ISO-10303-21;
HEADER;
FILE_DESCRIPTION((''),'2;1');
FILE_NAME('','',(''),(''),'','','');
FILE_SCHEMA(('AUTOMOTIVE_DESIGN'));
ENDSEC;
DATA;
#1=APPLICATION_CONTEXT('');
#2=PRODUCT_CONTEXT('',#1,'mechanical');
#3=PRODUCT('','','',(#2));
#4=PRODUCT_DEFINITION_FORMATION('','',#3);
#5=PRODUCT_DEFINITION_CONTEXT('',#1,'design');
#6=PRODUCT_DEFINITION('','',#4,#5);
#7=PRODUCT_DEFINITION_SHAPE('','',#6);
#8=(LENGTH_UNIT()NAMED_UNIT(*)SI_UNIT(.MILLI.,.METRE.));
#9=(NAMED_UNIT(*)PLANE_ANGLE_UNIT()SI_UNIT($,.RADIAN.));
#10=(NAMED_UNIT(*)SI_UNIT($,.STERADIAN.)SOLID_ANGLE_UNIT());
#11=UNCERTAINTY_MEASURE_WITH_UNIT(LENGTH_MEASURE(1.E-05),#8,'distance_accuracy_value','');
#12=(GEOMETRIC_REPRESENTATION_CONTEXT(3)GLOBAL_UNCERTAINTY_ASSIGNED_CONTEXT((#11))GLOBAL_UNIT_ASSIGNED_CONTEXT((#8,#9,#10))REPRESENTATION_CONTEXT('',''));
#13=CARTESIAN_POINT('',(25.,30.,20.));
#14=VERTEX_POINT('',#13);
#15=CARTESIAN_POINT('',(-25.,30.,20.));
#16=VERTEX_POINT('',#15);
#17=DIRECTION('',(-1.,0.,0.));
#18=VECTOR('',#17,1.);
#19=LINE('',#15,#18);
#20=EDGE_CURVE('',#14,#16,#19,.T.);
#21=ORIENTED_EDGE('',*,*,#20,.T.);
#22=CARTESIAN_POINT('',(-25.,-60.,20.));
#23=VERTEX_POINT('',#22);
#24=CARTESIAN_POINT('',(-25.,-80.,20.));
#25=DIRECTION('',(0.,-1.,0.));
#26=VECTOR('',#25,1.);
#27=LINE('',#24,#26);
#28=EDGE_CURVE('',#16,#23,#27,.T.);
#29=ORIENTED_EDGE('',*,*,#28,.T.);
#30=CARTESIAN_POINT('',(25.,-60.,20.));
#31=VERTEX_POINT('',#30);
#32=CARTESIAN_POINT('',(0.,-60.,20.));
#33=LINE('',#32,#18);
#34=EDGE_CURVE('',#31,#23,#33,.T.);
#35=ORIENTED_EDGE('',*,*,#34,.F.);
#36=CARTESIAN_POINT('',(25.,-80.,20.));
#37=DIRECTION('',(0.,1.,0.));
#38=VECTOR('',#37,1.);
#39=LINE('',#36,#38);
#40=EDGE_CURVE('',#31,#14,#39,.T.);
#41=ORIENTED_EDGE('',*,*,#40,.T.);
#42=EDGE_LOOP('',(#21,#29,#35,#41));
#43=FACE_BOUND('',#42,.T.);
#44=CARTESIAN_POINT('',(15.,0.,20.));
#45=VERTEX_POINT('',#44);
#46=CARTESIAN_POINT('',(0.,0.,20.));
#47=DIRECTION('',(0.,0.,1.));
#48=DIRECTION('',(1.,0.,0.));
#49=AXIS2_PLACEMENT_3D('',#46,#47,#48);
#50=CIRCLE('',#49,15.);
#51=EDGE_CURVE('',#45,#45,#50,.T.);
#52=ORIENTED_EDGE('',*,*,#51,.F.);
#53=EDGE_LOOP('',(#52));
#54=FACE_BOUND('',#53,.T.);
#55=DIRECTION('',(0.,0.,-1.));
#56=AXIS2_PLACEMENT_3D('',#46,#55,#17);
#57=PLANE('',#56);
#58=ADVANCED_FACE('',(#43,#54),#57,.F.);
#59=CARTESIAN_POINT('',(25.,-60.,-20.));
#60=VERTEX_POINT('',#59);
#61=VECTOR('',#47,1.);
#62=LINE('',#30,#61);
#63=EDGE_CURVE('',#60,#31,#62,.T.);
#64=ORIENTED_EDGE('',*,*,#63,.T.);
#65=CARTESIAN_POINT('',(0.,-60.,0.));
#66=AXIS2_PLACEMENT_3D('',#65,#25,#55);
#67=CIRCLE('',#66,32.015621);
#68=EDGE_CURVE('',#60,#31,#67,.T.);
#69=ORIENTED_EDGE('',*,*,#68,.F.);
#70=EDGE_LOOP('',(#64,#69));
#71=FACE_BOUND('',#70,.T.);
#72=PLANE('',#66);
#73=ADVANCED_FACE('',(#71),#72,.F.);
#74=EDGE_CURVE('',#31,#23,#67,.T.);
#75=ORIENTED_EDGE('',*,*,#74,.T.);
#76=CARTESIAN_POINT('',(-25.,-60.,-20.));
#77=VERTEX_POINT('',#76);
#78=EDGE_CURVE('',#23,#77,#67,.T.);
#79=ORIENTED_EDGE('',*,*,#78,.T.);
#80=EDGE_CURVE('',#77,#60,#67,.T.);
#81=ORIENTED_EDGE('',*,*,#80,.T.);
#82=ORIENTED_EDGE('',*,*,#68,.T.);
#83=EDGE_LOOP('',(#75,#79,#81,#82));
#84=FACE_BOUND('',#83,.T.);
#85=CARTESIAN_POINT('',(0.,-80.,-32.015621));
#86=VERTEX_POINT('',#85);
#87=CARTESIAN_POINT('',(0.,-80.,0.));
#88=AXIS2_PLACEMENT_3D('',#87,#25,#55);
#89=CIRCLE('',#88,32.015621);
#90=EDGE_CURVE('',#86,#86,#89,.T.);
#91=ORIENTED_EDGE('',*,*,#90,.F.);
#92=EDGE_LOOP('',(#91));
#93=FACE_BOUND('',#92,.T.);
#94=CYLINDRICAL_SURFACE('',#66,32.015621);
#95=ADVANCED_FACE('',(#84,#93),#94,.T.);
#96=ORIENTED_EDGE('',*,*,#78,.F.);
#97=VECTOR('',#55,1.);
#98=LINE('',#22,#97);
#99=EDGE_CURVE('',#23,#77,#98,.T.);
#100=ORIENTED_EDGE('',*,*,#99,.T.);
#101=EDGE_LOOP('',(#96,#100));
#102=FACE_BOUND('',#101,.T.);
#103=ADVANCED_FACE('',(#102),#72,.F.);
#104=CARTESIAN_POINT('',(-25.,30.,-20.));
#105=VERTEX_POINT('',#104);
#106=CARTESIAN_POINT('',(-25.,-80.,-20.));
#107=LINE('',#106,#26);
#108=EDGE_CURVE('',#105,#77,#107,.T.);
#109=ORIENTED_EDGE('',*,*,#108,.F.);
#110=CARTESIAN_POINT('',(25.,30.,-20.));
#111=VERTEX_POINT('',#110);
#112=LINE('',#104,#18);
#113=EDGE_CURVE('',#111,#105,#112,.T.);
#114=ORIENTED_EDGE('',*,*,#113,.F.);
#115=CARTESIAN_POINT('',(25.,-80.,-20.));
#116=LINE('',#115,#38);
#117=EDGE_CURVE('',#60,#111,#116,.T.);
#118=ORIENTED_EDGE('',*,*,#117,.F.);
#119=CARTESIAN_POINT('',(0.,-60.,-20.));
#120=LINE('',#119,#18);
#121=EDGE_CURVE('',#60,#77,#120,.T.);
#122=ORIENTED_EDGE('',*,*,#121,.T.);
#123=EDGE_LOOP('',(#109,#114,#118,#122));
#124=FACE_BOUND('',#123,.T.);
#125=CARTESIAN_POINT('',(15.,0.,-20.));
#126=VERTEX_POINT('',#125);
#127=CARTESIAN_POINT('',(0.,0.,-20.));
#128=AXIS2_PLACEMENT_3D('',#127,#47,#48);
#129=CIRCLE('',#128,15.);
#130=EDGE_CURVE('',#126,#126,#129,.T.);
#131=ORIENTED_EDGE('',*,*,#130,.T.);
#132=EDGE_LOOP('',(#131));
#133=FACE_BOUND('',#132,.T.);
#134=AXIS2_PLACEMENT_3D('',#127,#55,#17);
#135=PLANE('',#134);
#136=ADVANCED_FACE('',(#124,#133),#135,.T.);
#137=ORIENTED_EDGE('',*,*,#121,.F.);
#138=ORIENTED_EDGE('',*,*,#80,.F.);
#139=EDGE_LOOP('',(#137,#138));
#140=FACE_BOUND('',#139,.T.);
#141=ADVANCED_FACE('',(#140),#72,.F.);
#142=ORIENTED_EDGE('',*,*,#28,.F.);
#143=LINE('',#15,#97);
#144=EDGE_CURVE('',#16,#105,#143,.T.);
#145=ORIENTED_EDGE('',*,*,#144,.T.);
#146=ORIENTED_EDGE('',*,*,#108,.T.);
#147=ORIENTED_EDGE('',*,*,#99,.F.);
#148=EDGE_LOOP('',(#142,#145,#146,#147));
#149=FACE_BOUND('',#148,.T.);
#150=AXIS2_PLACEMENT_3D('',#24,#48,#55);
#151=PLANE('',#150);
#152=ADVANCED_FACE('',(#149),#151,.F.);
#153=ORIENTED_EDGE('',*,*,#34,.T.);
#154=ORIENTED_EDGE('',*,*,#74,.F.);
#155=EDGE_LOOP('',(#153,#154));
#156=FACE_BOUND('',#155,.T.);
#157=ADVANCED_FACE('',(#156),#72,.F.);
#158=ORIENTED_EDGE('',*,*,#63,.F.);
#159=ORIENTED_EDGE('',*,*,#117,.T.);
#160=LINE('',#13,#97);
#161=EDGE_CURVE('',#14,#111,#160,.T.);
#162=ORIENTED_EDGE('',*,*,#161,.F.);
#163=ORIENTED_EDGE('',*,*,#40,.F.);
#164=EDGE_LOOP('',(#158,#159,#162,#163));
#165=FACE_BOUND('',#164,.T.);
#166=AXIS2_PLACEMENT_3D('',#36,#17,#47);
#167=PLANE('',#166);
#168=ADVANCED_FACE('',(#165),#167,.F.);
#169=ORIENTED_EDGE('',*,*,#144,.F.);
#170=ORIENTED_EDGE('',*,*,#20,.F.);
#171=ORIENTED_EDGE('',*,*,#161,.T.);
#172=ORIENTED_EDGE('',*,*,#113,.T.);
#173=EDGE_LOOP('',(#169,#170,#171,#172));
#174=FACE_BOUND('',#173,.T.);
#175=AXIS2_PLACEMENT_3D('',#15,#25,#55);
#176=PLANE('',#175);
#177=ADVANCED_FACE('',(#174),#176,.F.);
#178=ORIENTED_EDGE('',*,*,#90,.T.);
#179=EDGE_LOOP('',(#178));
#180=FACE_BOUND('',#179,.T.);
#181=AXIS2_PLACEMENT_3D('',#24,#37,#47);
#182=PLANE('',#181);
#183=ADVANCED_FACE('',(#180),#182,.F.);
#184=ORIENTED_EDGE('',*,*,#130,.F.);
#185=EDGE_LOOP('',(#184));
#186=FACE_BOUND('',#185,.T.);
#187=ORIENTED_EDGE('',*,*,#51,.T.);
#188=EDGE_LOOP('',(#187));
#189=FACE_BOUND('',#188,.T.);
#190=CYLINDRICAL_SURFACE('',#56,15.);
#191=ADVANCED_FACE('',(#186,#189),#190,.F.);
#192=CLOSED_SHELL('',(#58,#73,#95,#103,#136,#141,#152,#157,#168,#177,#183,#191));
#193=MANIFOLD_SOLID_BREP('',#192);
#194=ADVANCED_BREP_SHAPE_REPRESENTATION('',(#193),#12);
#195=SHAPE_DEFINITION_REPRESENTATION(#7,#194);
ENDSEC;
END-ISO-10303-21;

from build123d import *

# Parameters (mm, degrees)
SKETCH2_W           = 50
SKETCH2_H           = 110
SKETCH2_R           = 15
BOSS_EXTRUDE1_DEPTH = 20
SKETCH3_R           = 32.015621187
BOSS_EXTRUDE2_DEPTH = 20


with BuildPart() as part:
    # Sketch2 → Boss-Extrude1 (new, symmetric)
    with BuildSketch(Plane.XY):
        with Locations((0, -25)):
            Rectangle(SKETCH2_W, SKETCH2_H)
        Circle(SKETCH2_R, mode=Mode.SUBTRACT)
    extrude(amount=BOSS_EXTRUDE1_DEPTH, both=True)

    # Sketch3 → Boss-Extrude2 (add)
    with BuildSketch(Plane.XZ.offset(80)):
        with Locations(Location((0, 0, 0), (0, 0, 270))):
            Circle(SKETCH3_R)
    extrude(amount=-BOSS_EXTRUDE2_DEPTH)


solid = part.part
